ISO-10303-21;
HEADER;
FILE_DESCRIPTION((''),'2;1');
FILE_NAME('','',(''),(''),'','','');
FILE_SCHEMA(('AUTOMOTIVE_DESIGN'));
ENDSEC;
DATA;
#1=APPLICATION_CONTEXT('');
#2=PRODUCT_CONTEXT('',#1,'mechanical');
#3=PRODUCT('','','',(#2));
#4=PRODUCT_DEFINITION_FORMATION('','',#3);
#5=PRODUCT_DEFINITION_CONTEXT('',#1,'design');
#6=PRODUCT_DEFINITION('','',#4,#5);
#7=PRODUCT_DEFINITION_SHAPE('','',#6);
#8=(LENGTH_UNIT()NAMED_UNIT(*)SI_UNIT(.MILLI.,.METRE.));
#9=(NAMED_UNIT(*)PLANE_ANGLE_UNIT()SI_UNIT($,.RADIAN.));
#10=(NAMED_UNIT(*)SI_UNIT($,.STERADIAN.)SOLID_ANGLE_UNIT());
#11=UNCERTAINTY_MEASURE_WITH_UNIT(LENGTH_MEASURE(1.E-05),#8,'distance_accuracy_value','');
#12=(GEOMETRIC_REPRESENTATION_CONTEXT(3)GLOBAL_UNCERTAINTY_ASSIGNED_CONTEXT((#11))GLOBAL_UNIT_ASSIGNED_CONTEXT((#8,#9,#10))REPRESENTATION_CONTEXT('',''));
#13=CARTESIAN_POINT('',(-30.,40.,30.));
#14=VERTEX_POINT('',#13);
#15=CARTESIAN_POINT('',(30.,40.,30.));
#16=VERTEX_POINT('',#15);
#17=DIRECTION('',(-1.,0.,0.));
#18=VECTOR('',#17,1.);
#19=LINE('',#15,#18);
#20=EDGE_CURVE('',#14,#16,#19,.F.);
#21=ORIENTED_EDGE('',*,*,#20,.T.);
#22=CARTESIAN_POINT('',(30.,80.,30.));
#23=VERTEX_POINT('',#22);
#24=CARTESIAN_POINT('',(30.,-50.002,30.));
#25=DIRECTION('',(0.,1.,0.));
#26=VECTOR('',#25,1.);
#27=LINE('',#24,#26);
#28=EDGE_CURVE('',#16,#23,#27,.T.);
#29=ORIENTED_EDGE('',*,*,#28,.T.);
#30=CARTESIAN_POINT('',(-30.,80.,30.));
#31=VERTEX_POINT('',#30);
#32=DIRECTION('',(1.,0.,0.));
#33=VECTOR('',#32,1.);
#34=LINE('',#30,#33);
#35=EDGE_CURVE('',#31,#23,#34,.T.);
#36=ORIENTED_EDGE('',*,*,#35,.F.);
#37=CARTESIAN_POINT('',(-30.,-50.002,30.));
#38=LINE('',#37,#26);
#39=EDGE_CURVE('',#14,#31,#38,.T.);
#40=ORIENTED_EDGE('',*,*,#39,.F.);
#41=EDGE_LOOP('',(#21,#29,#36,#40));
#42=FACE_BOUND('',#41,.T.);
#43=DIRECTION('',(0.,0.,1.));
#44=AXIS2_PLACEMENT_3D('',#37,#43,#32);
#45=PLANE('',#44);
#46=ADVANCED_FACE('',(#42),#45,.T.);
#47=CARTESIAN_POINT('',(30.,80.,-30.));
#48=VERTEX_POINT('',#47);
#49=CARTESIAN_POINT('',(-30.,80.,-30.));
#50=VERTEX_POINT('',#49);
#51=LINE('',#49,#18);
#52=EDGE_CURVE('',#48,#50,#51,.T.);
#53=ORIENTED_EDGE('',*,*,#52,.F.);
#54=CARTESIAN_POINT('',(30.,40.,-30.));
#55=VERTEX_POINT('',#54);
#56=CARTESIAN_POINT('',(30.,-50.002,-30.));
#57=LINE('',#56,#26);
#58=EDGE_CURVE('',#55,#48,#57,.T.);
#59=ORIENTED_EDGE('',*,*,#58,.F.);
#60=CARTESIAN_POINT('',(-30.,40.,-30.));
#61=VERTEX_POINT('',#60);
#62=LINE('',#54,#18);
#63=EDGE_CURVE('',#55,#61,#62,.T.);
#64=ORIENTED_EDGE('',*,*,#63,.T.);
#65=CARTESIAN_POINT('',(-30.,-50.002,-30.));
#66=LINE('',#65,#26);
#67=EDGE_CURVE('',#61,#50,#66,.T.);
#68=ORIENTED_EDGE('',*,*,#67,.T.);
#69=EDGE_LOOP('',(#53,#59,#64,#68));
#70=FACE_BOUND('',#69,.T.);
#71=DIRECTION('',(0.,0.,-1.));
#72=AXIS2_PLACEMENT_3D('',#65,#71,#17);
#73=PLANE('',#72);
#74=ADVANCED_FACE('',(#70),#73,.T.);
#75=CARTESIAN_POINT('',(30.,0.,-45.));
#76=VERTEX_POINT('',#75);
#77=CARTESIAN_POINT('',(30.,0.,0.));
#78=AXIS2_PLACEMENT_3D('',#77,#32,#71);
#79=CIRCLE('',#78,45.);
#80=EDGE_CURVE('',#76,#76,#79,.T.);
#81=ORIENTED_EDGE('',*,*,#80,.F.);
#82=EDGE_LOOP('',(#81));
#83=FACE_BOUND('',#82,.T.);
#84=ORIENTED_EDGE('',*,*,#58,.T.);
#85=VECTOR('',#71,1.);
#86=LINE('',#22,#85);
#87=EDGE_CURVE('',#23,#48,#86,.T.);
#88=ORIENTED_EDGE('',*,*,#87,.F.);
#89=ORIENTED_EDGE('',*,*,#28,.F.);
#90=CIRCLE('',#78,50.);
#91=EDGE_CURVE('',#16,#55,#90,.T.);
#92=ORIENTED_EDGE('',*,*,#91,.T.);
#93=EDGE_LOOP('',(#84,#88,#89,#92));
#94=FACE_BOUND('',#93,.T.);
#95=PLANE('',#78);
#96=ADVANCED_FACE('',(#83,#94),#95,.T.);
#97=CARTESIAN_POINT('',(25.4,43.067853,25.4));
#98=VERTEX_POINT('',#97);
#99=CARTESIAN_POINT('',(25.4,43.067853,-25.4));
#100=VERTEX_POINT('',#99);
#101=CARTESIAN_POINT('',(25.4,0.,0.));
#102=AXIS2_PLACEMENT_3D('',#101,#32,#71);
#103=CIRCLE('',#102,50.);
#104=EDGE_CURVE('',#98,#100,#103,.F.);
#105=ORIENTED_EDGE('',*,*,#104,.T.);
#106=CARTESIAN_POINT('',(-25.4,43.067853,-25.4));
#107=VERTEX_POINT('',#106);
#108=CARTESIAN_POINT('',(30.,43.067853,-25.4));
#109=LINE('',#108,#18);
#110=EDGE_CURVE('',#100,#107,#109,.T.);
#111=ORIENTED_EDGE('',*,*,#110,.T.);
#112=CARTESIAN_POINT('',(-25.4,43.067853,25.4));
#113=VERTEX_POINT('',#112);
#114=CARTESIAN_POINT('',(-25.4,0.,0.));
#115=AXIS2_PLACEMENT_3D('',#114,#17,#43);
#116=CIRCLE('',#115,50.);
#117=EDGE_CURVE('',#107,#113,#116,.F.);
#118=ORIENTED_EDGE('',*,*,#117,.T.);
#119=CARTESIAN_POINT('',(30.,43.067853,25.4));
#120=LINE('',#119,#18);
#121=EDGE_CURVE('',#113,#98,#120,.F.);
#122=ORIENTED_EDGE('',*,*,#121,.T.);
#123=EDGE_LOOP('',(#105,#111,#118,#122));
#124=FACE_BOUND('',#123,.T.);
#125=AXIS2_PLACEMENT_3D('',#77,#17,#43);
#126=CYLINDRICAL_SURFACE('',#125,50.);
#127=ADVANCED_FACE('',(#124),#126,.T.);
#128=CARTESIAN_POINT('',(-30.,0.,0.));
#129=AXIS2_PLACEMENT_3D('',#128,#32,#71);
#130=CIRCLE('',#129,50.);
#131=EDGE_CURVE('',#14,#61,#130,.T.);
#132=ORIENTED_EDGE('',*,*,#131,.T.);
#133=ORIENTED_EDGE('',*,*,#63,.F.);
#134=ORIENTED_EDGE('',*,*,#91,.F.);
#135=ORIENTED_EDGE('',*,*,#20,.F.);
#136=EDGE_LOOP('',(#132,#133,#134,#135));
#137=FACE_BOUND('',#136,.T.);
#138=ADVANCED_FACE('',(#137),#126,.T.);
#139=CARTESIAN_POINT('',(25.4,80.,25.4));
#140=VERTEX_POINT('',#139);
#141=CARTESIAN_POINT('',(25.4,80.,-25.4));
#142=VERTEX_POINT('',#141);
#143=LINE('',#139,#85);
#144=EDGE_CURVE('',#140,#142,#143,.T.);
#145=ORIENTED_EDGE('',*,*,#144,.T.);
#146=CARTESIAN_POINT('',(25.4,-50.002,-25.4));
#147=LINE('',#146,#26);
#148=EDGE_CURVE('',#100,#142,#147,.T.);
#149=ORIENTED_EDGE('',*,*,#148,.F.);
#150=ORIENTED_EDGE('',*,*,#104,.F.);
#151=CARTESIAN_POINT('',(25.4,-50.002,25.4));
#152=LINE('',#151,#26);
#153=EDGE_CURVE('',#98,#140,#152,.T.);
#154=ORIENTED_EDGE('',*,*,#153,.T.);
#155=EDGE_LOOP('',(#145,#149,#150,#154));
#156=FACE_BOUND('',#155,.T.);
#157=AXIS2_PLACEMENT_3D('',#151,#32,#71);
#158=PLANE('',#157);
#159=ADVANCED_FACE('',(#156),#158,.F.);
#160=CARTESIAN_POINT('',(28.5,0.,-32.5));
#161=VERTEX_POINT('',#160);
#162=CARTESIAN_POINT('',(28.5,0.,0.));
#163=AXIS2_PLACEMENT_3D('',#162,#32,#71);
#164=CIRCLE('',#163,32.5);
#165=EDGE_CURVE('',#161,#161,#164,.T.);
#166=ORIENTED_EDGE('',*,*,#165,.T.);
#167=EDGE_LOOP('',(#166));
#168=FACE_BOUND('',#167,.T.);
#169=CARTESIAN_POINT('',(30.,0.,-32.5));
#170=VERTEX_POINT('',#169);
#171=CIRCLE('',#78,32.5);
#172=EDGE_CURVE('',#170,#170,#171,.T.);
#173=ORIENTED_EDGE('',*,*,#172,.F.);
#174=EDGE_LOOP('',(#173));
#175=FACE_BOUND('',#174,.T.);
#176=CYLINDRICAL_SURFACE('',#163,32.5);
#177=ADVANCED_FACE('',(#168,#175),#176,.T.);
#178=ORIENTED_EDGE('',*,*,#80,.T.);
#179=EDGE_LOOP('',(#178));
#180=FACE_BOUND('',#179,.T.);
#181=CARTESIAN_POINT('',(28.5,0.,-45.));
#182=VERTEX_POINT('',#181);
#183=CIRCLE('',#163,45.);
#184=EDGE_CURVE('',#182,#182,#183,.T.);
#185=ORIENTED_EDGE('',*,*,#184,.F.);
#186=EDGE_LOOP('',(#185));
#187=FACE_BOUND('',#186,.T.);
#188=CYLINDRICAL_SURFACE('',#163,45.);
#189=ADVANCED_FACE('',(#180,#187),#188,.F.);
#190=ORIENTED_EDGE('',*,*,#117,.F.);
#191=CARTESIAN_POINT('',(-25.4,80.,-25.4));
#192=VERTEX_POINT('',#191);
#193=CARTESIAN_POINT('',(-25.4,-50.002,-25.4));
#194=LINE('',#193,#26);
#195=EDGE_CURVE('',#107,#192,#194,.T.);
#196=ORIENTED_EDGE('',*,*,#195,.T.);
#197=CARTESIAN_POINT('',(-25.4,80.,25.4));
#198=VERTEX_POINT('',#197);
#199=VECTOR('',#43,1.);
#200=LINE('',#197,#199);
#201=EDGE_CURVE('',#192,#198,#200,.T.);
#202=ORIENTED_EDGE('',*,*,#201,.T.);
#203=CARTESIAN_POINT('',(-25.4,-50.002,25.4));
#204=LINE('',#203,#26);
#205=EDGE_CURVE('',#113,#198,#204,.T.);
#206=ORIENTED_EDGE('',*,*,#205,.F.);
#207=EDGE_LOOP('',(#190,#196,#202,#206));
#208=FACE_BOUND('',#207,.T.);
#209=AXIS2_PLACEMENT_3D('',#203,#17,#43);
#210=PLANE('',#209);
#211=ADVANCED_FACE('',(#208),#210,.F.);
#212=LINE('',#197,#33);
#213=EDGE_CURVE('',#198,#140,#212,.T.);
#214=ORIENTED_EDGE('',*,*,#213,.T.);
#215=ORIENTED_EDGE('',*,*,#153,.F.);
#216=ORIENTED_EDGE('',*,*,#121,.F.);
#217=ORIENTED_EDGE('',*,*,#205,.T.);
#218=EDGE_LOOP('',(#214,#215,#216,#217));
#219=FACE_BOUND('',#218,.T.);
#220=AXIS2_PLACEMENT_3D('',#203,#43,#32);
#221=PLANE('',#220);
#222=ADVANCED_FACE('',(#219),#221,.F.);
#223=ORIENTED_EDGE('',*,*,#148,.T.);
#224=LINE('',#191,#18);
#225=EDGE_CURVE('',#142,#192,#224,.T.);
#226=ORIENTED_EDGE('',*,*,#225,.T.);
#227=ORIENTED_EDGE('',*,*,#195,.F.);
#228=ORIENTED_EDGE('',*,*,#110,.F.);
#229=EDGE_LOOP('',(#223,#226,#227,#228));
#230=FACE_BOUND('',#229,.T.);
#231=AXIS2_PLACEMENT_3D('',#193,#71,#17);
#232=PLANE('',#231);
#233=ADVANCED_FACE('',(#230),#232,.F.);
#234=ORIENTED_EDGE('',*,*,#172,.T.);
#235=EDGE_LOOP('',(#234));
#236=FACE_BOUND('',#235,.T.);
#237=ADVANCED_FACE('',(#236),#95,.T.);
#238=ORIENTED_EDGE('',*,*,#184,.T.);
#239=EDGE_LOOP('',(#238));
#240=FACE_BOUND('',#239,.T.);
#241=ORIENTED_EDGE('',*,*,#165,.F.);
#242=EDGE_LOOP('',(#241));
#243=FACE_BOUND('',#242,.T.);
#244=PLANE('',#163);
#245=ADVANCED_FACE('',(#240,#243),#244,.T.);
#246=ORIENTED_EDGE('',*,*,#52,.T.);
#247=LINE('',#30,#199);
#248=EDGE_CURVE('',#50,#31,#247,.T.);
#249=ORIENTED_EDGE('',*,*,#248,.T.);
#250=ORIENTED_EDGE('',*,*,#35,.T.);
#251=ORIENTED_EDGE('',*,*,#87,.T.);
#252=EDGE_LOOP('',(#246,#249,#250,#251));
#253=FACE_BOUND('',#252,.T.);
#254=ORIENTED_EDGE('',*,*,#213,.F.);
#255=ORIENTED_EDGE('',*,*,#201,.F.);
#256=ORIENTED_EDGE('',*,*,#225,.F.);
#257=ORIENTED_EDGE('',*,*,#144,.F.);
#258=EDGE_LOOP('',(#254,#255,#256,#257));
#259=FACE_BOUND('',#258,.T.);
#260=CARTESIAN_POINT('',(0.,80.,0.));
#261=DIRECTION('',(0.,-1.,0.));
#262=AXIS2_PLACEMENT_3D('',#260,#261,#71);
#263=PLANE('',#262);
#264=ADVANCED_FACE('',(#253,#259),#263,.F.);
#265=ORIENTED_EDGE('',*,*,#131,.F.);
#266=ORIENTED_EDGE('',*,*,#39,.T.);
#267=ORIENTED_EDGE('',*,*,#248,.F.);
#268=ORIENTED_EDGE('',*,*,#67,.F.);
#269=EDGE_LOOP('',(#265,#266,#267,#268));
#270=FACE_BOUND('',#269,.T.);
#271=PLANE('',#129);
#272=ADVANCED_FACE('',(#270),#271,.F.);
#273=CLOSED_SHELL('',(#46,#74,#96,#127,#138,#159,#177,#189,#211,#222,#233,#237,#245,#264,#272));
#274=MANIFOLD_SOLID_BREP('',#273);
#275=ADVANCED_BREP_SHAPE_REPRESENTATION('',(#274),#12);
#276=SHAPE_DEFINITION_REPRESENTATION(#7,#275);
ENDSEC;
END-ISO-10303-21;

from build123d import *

# Parameters (mm, degrees)
CROQUIS1_R                   = 50
SALIENTE_EXTRUIR1_DEPTH      = 30
SALIENTE_EXTRUIR2_REACH      = 144.478
SALIENTE_EXTRUIR2_END_RADIUS = 50
CROQUIS3_W                   = 60
CROQUIS3_H                   = 60
CROQUIS3_W_2                 = 50.8
CROQUIS3_H_2                 = 50.8
CROQUIS4_R                   = 45
CROQUIS4_R_2                 = 32.5
CORTAR_EXTRUIR1_DEPTH        = 1.5


with BuildPart() as part:
    # Croquis1 → Saliente-Extruir1 (new, symmetric)
    with BuildSketch(Plane(origin=(0, 0, 0), x_dir=(0, 0, -1), z_dir=(1, 0, 0))):
        Circle(CROQUIS1_R)
    extrude(amount=SALIENTE_EXTRUIR1_DEPTH, both=True)

    # Saliente-Extruir2: up to this cylinder (the profile starts outside it)
    saliente_extruir2_end = Plane(origin=(0, 0, 0), z_dir=(-1, 0, 0)) * Cylinder(SALIENTE_EXTRUIR2_END_RADIUS, 389.956, mode=Mode.PRIVATE)
    # Croquis3 → Saliente-Extruir2 (add, up to the surface)
    with BuildSketch(Plane(origin=(0, 80, 0), x_dir=(1, 0, 0), z_dir=(0, 1, 0)), mode=Mode.PRIVATE) as saliente_extruir2_sk1:
        Rectangle(CROQUIS3_W, CROQUIS3_H)
        Rectangle(CROQUIS3_W_2, CROQUIS3_H_2, mode=Mode.SUBTRACT)
    saliente_extruir2_tool1 = extrude(saliente_extruir2_sk1.sketch, amount=-SALIENTE_EXTRUIR2_REACH, mode=Mode.PRIVATE) - saliente_extruir2_end
    add(saliente_extruir2_tool1.solids().sort_by_distance((0, 80, 29.151472))[0])

    # Croquis4 → Cortar-Extruir1 (cut)
    with BuildSketch(Plane(origin=(30, 0, 0), x_dir=(0, 0, -1), z_dir=(1, 0, 0))):
        Circle(CROQUIS4_R)
        Circle(CROQUIS4_R_2, mode=Mode.SUBTRACT)
    extrude(amount=-CORTAR_EXTRUIR1_DEPTH, mode=Mode.SUBTRACT)


solid = part.part
